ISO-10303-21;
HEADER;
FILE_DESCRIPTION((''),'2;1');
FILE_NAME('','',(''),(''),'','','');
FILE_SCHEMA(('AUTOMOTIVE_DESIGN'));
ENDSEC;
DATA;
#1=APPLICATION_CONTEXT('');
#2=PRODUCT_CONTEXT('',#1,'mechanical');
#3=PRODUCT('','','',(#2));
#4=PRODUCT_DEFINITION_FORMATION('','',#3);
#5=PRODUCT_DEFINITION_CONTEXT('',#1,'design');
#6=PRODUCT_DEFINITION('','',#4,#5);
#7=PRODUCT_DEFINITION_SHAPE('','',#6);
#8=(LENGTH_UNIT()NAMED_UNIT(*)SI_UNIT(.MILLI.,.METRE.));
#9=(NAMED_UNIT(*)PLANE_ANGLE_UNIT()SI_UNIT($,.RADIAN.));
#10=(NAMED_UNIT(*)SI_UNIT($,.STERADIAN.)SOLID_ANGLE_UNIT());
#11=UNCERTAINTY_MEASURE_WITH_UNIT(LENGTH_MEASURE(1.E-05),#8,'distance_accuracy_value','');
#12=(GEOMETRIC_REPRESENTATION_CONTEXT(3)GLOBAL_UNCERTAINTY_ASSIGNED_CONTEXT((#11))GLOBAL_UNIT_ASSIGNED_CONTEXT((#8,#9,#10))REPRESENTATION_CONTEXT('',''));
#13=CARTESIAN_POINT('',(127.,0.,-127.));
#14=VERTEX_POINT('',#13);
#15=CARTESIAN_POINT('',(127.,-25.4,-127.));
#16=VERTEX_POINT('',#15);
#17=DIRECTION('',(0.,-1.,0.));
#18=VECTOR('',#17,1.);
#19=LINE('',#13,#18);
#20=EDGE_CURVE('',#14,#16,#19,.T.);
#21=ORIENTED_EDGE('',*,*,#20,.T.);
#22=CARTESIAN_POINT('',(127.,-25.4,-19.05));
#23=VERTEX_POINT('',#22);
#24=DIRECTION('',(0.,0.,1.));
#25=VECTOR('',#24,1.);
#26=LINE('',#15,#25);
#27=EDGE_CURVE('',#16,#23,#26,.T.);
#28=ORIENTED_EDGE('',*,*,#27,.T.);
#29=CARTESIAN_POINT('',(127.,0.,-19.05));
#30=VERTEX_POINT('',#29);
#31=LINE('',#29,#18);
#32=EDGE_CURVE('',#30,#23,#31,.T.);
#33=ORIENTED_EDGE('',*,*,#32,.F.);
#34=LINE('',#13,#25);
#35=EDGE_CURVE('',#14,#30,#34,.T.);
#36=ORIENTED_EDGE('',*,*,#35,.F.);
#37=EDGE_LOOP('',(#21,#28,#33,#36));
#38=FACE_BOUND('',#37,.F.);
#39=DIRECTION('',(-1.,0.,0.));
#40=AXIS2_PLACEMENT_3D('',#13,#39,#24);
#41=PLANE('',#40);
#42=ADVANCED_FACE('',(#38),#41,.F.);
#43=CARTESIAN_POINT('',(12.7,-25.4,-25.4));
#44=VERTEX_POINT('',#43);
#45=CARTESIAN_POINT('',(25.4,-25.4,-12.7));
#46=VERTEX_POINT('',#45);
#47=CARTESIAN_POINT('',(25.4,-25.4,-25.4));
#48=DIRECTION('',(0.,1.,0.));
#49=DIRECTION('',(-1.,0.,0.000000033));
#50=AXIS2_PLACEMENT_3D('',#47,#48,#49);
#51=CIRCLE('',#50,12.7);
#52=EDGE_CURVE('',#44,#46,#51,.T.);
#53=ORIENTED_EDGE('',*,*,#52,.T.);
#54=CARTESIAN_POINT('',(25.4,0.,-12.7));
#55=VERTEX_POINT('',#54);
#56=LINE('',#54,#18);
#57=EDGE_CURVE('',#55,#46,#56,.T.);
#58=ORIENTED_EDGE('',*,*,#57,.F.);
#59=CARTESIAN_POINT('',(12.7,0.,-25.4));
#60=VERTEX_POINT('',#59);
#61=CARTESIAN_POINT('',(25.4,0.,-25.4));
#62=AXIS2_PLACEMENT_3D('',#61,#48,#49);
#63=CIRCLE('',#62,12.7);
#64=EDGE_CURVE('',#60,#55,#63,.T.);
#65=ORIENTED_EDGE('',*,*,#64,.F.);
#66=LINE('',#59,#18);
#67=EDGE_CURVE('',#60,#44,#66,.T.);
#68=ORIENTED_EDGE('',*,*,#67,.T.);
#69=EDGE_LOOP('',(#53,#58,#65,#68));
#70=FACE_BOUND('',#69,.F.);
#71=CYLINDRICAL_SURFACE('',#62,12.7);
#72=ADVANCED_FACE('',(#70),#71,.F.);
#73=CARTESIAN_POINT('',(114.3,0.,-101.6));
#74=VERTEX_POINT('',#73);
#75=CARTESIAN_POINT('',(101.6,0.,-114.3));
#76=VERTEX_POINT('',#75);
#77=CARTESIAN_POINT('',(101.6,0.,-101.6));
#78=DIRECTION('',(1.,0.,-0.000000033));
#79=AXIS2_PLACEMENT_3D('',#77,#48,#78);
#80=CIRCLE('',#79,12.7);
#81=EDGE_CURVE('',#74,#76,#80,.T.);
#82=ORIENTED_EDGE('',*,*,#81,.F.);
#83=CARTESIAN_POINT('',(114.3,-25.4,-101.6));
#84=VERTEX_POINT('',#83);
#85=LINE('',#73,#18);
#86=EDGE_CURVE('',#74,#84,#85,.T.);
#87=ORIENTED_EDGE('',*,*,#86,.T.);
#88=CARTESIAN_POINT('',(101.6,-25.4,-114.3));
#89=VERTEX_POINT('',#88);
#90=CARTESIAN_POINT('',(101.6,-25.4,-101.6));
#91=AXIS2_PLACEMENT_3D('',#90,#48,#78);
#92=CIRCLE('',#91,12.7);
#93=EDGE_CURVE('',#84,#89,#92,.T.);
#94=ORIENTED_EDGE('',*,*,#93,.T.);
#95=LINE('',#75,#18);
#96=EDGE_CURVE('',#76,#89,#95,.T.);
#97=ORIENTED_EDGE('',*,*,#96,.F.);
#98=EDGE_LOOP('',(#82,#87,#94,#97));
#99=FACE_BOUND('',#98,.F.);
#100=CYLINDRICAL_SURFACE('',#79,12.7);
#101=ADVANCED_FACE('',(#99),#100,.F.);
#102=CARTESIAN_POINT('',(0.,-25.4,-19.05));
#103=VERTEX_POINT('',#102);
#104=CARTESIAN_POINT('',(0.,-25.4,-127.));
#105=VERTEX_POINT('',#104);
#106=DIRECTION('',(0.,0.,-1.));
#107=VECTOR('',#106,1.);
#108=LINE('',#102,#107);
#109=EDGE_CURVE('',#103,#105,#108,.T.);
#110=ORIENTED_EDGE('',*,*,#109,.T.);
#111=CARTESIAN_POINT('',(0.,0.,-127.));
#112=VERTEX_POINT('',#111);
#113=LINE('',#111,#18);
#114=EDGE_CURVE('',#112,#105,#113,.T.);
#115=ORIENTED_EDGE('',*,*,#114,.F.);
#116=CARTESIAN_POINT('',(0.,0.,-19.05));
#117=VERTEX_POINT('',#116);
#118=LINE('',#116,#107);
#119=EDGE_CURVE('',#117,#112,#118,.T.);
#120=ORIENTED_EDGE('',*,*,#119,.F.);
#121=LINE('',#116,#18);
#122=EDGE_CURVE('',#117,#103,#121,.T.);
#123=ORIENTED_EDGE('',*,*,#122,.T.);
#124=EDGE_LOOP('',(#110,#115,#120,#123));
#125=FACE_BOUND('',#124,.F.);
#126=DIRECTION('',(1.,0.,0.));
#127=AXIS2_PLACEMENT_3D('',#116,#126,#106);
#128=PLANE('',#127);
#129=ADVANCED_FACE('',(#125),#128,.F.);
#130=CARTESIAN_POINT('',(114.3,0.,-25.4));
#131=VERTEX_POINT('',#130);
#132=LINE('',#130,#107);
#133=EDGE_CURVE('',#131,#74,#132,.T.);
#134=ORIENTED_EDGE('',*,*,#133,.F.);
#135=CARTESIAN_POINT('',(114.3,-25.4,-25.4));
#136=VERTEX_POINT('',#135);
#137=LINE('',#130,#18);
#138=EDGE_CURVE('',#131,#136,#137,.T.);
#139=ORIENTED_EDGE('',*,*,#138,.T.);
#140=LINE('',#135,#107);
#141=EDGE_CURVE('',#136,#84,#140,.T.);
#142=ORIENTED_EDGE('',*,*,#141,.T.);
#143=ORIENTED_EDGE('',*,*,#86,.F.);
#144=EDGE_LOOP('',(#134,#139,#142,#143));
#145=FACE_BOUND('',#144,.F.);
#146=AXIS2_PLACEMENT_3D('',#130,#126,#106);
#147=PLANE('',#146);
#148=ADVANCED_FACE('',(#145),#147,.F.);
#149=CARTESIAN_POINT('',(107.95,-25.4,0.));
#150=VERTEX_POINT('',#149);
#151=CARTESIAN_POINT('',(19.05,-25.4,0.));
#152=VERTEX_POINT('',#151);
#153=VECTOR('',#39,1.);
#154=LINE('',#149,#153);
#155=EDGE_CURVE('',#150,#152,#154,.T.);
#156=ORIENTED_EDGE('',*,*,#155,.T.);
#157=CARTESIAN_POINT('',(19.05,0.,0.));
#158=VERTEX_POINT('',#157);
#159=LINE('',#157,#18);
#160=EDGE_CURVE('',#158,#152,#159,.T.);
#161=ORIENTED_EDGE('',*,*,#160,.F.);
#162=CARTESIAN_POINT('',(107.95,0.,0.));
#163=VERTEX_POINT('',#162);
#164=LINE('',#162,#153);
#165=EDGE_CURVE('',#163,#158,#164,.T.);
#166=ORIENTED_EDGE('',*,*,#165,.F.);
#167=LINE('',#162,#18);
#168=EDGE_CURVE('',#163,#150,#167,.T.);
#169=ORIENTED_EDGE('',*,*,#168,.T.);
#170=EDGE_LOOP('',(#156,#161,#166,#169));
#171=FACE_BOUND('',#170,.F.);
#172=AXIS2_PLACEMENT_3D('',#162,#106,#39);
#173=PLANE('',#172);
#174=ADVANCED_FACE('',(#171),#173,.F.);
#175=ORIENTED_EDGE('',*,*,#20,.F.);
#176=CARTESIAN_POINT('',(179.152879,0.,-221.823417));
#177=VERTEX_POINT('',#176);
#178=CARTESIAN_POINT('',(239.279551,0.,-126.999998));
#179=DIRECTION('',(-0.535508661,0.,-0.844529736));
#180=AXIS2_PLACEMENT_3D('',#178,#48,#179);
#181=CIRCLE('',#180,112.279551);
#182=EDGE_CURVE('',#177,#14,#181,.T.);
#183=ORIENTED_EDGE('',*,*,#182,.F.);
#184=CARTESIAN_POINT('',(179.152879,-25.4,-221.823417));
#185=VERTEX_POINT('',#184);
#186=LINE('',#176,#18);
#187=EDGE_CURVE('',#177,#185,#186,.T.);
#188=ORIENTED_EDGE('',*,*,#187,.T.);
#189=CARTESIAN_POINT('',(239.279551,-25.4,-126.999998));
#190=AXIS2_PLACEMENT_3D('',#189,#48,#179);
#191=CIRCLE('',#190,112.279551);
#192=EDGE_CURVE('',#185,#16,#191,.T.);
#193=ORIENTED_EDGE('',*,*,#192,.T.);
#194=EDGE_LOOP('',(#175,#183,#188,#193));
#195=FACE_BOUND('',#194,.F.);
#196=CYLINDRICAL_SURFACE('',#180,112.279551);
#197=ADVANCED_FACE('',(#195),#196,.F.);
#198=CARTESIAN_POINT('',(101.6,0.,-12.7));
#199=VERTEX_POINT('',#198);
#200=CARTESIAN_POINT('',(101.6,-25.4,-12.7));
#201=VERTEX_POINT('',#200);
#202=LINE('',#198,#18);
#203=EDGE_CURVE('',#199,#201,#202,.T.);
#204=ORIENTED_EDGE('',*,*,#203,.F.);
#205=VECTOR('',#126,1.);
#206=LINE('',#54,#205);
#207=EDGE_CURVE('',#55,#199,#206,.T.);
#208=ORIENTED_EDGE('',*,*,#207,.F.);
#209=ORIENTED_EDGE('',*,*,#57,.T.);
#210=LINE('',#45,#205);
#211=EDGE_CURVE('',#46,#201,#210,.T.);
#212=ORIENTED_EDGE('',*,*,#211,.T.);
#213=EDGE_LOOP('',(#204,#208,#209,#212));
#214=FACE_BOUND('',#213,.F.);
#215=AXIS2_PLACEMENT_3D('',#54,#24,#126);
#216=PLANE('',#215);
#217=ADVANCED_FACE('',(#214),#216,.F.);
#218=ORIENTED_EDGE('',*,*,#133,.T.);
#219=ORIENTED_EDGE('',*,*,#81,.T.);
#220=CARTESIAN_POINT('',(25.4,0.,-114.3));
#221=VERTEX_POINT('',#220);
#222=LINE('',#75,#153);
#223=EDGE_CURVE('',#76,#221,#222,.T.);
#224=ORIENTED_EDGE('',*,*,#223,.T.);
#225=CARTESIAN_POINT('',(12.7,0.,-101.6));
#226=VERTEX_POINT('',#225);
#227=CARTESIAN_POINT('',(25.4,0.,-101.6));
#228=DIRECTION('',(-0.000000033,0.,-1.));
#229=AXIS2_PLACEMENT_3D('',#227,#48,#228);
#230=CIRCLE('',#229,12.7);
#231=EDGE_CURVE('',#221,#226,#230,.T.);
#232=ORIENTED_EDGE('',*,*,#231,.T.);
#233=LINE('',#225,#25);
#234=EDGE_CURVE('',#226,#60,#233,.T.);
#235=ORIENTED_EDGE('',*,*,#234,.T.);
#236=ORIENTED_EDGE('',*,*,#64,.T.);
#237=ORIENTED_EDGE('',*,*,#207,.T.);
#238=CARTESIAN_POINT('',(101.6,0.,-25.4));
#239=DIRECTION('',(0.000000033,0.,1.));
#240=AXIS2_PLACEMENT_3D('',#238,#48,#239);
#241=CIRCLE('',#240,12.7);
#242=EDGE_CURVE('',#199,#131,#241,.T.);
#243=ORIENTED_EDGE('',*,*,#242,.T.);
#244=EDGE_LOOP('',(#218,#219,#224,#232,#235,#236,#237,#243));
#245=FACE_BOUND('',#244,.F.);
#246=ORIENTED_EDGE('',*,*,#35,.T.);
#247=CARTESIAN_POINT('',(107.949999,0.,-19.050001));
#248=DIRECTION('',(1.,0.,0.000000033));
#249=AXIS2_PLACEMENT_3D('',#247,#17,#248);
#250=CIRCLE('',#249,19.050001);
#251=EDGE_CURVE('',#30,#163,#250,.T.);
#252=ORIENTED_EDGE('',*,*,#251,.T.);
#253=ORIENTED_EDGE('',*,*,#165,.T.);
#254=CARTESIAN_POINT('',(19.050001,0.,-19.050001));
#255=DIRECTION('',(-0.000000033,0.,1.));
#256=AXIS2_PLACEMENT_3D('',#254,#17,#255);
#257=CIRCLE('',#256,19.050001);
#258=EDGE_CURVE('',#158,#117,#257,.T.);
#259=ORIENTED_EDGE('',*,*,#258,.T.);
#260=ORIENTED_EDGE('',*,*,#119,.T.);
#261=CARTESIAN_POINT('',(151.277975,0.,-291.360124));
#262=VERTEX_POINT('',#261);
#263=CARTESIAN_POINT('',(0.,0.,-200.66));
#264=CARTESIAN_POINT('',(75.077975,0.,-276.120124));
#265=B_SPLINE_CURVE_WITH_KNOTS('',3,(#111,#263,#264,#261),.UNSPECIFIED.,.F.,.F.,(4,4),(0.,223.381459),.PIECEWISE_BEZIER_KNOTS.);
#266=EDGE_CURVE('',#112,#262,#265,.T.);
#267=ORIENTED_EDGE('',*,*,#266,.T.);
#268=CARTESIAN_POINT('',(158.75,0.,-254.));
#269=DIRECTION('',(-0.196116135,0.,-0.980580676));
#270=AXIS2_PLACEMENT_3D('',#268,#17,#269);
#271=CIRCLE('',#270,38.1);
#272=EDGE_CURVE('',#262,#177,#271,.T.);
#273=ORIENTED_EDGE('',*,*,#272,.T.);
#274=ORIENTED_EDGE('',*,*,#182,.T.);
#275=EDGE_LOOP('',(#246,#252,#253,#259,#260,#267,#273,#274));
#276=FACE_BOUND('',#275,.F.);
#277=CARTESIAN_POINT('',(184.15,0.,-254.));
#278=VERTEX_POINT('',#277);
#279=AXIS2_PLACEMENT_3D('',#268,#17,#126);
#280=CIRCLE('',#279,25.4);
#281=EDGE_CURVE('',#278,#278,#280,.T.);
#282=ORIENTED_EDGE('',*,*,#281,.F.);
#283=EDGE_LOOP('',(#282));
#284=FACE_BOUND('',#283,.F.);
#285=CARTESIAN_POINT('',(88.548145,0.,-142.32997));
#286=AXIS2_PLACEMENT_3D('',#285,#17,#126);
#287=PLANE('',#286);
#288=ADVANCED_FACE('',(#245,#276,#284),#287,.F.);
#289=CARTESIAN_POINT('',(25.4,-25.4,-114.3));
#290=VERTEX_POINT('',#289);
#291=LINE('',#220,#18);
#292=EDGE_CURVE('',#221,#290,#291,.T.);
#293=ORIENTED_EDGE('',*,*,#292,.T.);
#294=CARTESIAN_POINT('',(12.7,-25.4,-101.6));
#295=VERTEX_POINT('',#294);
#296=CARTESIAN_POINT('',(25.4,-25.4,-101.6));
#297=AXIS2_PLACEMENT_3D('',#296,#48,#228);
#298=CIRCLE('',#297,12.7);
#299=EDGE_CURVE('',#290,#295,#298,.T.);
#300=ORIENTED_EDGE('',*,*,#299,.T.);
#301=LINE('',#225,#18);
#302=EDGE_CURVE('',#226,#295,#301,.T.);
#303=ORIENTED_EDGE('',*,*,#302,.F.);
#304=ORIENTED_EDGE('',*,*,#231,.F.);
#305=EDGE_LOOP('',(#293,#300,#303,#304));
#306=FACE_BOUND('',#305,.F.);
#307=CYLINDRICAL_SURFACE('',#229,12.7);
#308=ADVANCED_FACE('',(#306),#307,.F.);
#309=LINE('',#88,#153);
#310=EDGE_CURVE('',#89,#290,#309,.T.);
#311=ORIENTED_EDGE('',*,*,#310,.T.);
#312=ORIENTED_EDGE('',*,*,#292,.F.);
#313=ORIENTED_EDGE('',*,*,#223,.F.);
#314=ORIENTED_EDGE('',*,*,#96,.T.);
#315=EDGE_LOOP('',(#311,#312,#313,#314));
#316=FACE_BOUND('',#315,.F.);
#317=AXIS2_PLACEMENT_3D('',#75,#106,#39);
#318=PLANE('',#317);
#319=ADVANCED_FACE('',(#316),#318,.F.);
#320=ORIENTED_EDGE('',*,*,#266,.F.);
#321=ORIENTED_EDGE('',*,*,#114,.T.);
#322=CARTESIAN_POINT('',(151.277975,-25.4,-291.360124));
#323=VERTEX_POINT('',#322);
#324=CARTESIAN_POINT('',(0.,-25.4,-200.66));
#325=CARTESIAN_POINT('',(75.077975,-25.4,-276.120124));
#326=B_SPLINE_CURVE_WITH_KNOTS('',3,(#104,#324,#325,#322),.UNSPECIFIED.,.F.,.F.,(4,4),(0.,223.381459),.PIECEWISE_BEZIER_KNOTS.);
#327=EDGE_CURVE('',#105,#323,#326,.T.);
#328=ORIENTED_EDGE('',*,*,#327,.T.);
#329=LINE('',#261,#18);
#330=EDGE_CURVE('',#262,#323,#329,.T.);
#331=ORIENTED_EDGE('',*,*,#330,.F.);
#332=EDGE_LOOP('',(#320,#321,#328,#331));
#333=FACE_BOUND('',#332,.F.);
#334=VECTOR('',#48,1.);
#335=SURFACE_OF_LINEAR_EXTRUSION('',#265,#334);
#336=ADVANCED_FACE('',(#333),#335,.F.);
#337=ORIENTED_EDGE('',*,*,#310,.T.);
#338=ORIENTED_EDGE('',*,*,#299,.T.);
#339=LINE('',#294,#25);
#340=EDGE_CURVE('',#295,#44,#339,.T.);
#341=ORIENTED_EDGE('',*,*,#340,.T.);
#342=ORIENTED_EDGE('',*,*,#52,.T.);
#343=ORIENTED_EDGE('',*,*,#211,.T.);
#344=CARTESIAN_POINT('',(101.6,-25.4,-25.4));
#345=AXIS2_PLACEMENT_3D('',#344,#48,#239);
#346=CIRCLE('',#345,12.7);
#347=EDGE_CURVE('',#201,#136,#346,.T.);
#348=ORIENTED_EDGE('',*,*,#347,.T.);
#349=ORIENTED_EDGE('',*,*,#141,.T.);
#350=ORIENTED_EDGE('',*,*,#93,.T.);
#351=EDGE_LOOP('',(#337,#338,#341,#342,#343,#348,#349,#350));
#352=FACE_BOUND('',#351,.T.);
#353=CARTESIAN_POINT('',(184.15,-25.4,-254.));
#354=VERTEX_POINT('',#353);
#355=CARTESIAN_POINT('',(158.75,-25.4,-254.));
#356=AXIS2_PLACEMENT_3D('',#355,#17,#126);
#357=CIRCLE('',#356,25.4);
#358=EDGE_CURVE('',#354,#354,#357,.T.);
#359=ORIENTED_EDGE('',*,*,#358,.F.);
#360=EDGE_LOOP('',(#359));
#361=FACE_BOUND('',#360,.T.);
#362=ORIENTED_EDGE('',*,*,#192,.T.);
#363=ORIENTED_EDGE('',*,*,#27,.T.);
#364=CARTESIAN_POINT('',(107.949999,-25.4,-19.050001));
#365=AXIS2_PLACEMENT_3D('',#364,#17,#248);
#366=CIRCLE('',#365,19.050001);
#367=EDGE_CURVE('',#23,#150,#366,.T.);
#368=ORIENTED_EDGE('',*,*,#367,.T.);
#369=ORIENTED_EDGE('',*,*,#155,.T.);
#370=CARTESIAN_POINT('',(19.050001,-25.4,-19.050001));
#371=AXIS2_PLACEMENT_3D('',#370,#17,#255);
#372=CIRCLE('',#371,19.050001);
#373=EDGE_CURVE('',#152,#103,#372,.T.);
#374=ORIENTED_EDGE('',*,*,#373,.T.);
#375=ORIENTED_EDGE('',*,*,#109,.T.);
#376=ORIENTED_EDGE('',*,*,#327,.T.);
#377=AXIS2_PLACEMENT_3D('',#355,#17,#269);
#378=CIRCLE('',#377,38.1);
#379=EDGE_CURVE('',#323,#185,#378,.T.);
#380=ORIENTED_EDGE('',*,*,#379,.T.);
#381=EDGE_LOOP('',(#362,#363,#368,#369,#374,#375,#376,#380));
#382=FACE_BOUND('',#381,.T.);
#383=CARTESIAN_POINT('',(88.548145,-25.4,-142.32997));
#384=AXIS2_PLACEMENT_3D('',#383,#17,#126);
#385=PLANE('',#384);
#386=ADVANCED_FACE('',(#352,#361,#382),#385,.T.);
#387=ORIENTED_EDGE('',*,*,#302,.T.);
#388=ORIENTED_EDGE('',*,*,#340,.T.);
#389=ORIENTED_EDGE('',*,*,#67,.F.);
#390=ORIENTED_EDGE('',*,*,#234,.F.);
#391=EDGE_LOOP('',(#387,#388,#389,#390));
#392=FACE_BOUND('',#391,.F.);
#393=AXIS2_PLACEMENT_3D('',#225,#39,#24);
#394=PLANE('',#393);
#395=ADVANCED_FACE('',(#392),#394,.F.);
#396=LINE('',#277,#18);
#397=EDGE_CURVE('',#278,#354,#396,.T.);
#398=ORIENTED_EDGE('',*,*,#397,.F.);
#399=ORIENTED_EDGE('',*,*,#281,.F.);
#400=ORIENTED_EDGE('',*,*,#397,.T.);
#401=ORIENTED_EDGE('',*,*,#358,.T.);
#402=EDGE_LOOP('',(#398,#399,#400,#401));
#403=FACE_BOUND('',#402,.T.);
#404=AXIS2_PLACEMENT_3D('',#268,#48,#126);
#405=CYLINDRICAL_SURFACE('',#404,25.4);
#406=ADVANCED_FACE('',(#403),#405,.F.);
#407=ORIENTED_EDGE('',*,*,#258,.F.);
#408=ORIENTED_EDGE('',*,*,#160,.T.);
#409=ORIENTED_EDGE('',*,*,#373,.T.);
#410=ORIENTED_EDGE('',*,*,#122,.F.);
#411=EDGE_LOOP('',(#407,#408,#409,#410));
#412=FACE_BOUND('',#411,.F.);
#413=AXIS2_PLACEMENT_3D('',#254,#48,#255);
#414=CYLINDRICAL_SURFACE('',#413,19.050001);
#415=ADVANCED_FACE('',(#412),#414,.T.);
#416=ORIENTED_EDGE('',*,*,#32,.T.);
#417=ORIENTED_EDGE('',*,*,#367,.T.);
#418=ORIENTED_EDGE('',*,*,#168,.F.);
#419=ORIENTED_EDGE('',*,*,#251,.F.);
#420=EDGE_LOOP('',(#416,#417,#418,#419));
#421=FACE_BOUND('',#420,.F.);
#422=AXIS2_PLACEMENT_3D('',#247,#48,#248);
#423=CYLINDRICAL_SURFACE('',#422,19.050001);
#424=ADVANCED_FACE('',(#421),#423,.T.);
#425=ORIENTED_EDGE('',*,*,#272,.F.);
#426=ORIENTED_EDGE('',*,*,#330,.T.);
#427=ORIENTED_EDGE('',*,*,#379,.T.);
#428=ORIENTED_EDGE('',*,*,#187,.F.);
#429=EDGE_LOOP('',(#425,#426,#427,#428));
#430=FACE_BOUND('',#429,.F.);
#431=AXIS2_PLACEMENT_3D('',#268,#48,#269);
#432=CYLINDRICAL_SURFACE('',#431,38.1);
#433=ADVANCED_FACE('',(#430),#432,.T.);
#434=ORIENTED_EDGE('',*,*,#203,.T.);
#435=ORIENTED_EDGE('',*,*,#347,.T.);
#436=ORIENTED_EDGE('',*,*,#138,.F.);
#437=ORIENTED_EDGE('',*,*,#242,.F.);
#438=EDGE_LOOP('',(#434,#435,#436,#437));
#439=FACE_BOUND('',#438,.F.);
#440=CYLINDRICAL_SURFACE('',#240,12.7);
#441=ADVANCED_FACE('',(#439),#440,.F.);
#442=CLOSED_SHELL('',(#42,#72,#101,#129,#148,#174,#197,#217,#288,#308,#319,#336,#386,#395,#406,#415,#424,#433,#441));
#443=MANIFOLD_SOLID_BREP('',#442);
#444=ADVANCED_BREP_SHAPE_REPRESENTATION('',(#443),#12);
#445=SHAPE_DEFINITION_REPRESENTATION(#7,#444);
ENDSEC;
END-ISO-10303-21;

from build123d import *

# Parameters (mm, degrees)
F0_R     = 25.4
F1_DEPTH = 25.4


with BuildPart() as f1:
    # F0 (on Front) → F1 (new body)
    with BuildSketch(Plane.XZ):
        with BuildLine():
            Line((107.95, 0), (19.05, 0))
            ThreePointArc((19.05, 0), (5.579616, -5.579616), (0, -19.05))
            Line((0, -19.05), (0, -127))
            add(Edge.make_bspline(
                [(0, -127), (0, -200.66), (75.077975, -276.120124), (151.277975, -291.360124)],
                knots=[0, 0, 0, 0, 223.381459, 223.381459, 223.381459, 223.381459], degree=3))
            ThreePointArc((151.277975, -291.360124), (194.114391, -268.176383), (179.152879, -221.823417))
            ThreePointArc((179.152879, -221.823417), (140.898422, -181.109618), (127, -127))
            Line((127, -127), (127, -19.05))
            ThreePointArc((127, -19.05), (121.420384, -5.579616), (107.95, 0))
        make_face()
        with Locations((158.75, -254)):
            Circle(F0_R, mode=Mode.SUBTRACT)
        with BuildLine():
            Line((101.6, -114.3), (25.4, -114.3))
            ThreePointArc((25.4, -114.3), (16.419744, -110.580256), (12.7, -101.6))
            Line((12.7, -101.6), (12.7, -25.4))
            ThreePointArc((12.7, -25.4), (16.419744, -16.419744), (25.4, -12.7))
            Line((25.4, -12.7), (101.6, -12.7))
            ThreePointArc((101.6, -12.7), (110.580256, -16.419744), (114.3, -25.4))
            Line((114.3, -25.4), (114.3, -101.6))
            ThreePointArc((114.3, -101.6), (110.580256, -110.580256), (101.6, -114.3))
        make_face(mode=Mode.SUBTRACT)
    extrude(amount=F1_DEPTH)


solid = f1.part
